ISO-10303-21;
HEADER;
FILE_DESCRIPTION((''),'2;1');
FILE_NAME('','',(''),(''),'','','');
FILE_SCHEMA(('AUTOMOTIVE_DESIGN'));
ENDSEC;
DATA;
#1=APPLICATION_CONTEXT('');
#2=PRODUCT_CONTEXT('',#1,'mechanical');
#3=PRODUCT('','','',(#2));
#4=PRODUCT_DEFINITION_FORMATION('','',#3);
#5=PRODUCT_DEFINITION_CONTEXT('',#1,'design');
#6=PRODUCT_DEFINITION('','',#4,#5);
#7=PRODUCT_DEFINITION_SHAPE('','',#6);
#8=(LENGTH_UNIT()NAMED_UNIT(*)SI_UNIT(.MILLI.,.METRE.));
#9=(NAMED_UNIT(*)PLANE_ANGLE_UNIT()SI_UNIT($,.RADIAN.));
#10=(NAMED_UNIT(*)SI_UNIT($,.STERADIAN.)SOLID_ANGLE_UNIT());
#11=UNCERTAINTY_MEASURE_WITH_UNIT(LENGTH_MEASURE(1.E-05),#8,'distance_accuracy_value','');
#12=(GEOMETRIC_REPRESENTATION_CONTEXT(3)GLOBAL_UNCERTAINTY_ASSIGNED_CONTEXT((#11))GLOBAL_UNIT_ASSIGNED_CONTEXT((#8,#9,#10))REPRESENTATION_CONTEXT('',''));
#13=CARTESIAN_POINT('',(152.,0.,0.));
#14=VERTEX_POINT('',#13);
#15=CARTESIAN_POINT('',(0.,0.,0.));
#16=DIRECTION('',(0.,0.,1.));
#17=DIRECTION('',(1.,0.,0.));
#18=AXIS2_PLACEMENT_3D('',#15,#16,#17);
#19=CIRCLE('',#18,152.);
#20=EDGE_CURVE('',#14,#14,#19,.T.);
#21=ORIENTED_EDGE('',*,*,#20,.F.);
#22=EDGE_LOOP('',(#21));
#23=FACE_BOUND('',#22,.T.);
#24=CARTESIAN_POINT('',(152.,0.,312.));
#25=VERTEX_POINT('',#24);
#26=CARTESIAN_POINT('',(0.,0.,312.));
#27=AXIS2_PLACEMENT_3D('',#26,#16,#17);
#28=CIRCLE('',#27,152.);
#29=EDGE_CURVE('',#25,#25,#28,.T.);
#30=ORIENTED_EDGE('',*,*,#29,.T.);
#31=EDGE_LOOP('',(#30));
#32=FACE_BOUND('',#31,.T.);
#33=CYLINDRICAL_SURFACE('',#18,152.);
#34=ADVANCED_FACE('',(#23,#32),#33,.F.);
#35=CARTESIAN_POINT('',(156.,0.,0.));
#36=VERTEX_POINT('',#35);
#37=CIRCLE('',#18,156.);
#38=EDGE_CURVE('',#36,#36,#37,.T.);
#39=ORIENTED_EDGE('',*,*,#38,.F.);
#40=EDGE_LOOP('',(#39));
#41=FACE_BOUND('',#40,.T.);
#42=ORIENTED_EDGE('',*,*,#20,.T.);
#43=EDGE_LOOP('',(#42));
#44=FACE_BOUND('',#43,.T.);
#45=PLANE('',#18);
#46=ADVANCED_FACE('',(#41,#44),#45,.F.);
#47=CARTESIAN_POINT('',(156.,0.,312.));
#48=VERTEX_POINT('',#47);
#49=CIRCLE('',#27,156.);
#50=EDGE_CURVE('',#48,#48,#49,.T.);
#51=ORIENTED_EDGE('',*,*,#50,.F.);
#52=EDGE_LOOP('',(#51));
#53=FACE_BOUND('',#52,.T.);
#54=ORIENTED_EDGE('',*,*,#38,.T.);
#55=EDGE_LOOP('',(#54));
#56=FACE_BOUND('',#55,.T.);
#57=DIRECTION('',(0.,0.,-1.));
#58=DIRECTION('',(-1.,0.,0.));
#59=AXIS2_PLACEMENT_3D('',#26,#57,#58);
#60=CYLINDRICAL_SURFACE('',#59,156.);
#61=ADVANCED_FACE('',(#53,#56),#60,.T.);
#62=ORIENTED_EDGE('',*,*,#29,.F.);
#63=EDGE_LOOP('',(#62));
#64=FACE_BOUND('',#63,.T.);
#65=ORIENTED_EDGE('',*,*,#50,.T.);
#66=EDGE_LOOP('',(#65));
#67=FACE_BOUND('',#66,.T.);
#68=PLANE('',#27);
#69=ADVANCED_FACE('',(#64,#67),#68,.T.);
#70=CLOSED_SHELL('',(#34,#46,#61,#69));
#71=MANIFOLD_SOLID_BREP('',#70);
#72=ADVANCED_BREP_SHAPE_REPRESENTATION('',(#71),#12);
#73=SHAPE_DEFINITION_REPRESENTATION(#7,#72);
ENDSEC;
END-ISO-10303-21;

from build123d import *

# Parameters (mm, degrees)
SKETCH1_R           = 156
BOSS_EXTRUDE1_DEPTH = 312
SKETCH2_R           = 152
CUT_EXTRUDE1_DEPTH  = 312


with BuildPart() as part:
    # Sketch1 → Boss-Extrude1 (new body)
    with BuildSketch(Plane.XY):
        Circle(SKETCH1_R)
    extrude(amount=BOSS_EXTRUDE1_DEPTH)

    # Sketch2 → Cut-Extrude1 (cut)
    with BuildSketch(Plane.XY.offset(312)):
        Circle(SKETCH2_R)
    extrude(amount=-CUT_EXTRUDE1_DEPTH, mode=Mode.SUBTRACT)


solid = part.part
